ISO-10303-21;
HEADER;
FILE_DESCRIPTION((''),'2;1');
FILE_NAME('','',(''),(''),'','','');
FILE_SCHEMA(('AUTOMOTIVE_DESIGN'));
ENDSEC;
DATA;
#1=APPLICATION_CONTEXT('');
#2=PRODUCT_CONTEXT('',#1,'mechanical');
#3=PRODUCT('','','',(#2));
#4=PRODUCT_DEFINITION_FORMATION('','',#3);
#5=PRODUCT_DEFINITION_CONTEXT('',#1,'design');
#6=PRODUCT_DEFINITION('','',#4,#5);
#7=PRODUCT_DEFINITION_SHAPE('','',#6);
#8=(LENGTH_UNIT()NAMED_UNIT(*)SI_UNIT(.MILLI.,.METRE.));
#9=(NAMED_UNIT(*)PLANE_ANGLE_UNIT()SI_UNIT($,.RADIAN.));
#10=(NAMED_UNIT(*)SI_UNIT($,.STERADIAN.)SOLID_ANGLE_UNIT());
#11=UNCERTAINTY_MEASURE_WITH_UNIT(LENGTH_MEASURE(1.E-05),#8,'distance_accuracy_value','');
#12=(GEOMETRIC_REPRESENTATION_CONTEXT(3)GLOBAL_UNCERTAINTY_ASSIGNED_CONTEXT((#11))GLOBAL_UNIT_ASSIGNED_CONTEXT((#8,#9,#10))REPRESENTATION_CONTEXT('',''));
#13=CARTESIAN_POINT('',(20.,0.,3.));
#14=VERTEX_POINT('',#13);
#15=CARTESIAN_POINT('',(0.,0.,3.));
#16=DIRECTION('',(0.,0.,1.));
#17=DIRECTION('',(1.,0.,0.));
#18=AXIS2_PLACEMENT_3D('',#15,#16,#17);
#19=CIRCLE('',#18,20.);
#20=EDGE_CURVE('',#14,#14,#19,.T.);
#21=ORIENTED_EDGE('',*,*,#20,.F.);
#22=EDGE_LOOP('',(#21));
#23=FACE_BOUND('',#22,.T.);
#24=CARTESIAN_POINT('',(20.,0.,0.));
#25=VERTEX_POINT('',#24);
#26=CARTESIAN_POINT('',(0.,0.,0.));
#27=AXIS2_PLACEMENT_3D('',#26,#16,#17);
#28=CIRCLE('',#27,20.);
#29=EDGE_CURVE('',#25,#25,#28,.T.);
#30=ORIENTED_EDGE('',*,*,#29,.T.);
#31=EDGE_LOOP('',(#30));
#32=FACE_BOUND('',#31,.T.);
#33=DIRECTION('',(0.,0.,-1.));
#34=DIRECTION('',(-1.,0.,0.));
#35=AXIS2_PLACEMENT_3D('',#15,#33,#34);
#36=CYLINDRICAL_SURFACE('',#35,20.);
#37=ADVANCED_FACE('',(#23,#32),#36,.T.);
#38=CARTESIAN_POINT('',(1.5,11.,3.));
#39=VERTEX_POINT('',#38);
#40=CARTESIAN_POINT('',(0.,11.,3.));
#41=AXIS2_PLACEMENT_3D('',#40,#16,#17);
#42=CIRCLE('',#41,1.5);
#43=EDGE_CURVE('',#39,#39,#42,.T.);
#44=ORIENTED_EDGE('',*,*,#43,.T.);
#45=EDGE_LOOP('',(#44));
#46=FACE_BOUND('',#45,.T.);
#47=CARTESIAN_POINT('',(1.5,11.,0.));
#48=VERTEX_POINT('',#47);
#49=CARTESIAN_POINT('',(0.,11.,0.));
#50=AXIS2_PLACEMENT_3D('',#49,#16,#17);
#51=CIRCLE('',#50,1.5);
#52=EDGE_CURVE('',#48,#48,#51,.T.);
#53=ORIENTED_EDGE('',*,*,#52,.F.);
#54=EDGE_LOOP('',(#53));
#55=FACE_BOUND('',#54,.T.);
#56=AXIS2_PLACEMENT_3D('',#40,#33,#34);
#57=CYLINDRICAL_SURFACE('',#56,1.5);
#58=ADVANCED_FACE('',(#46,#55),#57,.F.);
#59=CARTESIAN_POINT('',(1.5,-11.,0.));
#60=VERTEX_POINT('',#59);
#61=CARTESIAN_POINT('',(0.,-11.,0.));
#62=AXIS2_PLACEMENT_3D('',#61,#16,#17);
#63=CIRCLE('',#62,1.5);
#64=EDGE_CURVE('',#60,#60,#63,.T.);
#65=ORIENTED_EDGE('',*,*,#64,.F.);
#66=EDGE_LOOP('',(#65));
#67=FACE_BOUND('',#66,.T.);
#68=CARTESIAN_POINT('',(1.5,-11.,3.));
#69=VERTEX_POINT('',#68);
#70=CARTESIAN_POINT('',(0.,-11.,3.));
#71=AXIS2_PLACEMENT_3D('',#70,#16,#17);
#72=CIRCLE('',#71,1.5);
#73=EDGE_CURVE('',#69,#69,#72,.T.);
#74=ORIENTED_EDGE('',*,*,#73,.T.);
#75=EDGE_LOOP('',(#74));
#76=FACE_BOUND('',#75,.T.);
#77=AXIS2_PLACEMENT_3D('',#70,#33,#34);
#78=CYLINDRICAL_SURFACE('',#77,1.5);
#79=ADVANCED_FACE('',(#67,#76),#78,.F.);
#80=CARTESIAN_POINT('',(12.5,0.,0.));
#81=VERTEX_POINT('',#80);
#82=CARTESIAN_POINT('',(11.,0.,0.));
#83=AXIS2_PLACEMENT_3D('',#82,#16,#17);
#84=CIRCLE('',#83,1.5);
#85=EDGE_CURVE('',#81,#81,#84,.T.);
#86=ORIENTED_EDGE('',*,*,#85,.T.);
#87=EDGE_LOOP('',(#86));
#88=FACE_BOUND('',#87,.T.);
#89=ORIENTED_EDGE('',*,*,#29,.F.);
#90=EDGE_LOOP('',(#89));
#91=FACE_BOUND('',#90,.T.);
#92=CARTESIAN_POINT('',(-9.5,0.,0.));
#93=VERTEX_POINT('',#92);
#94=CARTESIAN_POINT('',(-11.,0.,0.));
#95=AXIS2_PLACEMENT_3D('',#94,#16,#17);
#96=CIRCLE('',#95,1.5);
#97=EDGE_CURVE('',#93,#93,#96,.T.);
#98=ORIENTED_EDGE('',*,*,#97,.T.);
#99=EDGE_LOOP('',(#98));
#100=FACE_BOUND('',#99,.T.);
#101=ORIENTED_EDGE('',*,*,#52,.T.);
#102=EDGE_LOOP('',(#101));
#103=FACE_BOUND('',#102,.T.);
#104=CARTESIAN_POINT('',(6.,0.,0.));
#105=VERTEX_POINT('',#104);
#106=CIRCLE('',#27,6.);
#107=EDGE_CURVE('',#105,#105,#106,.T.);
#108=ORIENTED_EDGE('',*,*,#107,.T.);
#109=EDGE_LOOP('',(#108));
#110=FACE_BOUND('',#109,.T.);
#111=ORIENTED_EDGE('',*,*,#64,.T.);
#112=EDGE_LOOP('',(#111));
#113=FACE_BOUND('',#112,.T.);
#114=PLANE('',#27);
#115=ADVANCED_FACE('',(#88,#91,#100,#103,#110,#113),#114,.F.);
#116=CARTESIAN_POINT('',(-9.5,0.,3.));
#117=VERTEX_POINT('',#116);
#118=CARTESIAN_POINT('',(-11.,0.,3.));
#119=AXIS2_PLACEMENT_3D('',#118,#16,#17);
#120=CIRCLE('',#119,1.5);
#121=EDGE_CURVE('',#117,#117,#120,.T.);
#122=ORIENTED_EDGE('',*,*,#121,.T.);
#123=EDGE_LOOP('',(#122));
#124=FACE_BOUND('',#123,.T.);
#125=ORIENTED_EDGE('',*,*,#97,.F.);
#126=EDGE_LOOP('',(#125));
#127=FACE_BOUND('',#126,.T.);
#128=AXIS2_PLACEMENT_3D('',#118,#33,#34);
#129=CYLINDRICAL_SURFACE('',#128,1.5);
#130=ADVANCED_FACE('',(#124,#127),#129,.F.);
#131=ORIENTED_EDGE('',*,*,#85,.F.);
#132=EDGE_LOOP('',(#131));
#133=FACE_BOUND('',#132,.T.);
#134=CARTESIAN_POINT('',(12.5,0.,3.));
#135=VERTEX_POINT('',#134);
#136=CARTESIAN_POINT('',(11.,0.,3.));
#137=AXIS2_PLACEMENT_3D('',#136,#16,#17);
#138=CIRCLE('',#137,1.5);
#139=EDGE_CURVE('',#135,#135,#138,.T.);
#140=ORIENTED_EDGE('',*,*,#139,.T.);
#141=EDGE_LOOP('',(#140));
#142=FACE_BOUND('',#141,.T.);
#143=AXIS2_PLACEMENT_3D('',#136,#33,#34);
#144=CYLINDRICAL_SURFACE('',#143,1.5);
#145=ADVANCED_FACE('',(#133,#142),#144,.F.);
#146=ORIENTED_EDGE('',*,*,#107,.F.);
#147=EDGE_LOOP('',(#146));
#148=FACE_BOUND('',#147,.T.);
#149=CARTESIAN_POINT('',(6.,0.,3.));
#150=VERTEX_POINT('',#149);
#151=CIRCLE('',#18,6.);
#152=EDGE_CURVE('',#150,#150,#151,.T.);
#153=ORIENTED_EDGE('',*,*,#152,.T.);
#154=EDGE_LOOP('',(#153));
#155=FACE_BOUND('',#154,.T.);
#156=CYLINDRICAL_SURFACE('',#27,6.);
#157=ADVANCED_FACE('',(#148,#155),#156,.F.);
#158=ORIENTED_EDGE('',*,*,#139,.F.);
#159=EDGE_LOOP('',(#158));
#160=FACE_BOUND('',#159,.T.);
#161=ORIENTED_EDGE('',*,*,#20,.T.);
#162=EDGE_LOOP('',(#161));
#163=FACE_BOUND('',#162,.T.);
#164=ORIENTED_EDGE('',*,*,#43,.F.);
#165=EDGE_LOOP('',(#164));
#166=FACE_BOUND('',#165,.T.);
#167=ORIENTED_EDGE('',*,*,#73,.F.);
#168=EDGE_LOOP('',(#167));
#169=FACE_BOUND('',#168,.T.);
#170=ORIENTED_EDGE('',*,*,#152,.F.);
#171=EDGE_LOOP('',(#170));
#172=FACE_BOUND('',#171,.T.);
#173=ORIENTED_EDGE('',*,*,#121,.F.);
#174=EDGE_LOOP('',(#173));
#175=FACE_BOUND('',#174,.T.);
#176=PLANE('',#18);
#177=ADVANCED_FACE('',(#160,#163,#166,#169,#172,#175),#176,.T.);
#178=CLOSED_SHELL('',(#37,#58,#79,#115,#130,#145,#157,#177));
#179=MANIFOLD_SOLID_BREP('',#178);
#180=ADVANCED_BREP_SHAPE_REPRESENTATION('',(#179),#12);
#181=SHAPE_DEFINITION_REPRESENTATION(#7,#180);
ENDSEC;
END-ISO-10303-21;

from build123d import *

# Parameters (mm, degrees)
SKETCH_1_R          = 20
SKETCH_1_R_2        = 1.5
EXTRUDE_1_DEPTH     = 3
SKETCH_2_R          = 6
CUT_EXTRUDE_1_DEPTH = 29.442925307


with BuildPart() as part:
    # 草图1 → 凸台-拉伸1 (new body)
    with BuildSketch(Plane.XY):
        Circle(SKETCH_1_R)
        with Locations((0, 11)):
            Circle(SKETCH_1_R_2, mode=Mode.SUBTRACT)
        with Locations((11, 0)):
            Circle(SKETCH_1_R_2, mode=Mode.SUBTRACT)
        with Locations((0, -11)):
            Circle(SKETCH_1_R_2, mode=Mode.SUBTRACT)
        with Locations((-11, 0)):
            Circle(SKETCH_1_R_2, mode=Mode.SUBTRACT)
    extrude(amount=EXTRUDE_1_DEPTH)

    # 草图2 → 切除-拉伸1 (cut, through all)
    with BuildSketch(Plane.XY.offset(3)):
        Circle(SKETCH_2_R)
    extrude(amount=-CUT_EXTRUDE_1_DEPTH, mode=Mode.SUBTRACT)


solid = part.part
